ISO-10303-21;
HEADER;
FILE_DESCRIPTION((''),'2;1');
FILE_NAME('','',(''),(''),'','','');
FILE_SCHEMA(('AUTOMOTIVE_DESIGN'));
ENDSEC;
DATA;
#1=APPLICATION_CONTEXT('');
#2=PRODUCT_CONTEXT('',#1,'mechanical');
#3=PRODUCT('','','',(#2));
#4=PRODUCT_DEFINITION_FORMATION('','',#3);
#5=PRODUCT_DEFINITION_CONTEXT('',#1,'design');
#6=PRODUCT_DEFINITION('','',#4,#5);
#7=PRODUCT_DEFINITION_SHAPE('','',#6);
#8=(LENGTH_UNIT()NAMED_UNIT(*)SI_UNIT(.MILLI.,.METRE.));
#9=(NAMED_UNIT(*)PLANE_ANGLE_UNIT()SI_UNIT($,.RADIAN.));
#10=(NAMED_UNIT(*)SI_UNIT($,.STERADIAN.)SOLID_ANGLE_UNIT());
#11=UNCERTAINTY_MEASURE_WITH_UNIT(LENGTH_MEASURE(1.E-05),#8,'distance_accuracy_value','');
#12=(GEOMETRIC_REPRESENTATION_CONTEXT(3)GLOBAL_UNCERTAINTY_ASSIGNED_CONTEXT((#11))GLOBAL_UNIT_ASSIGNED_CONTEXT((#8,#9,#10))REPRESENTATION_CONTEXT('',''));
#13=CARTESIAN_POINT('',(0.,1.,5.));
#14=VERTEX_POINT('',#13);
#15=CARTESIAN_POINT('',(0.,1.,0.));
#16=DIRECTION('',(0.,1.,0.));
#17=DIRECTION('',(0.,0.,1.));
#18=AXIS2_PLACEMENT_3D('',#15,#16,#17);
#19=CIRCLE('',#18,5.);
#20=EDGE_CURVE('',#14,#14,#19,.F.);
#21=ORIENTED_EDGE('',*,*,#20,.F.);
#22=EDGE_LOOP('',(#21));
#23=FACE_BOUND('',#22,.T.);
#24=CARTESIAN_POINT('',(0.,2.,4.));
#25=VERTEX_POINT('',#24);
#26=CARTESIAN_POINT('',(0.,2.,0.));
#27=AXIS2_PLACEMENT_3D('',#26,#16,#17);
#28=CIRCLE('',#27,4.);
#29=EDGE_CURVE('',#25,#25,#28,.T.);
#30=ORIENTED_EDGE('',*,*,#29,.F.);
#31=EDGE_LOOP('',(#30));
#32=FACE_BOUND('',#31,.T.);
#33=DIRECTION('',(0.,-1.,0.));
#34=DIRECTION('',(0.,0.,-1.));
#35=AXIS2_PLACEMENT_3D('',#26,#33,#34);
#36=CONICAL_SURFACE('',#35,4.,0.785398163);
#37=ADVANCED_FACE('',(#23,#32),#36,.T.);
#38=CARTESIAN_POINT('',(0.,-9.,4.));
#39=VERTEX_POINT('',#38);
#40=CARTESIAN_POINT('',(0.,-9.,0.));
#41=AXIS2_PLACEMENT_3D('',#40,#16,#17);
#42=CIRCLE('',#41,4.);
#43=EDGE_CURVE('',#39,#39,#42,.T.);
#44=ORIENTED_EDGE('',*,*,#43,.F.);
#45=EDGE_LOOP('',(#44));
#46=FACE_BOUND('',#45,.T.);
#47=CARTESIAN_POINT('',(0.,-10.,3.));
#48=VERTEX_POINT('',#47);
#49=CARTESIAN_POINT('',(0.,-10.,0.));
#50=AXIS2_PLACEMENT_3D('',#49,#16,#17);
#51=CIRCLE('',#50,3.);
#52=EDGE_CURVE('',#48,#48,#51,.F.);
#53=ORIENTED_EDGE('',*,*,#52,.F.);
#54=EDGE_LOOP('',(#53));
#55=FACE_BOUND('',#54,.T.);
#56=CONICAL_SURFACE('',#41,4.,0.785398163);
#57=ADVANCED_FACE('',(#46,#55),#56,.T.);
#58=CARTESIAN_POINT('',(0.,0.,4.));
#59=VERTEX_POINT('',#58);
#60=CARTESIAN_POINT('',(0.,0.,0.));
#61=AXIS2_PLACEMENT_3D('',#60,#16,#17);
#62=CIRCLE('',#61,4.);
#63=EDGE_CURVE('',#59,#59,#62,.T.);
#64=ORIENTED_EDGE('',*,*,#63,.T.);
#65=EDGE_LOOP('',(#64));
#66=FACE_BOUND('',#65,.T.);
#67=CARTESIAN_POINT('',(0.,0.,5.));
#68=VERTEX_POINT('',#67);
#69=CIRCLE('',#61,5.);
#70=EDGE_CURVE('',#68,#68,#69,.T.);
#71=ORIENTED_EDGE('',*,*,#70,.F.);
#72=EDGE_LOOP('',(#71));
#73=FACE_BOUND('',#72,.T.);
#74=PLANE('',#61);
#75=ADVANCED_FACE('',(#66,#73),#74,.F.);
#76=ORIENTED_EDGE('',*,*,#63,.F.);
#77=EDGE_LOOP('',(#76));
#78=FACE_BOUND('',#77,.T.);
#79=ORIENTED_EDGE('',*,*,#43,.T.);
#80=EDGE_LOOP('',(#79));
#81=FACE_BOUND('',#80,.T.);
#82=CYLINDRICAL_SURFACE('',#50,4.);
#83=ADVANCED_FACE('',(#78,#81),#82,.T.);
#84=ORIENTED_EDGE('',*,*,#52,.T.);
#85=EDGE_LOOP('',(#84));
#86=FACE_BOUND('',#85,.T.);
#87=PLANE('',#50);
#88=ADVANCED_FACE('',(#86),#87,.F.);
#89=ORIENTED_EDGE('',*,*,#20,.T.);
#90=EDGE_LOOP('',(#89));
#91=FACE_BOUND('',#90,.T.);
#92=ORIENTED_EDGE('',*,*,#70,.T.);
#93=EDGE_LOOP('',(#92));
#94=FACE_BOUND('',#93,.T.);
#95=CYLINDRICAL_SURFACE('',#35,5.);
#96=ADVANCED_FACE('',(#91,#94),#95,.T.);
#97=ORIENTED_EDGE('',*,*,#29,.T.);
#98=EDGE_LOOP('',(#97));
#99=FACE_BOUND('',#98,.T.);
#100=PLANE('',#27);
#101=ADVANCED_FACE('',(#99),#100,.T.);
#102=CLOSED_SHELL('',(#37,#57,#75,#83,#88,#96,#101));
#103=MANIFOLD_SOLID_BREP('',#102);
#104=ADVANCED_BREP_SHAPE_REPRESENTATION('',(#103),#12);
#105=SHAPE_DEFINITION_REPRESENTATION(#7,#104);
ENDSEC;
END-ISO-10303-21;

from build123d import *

# Parameters (mm, degrees)
ESBO_O1_R       = 4
EXTRUS_O1_DEPTH = 10
ESBO_O2_R       = 5
EXTRUS_O2_DEPTH = 2
CHANFRO1_SIZE   = 1
CHANFRO2_SIZE   = 1


with BuildPart() as part:
    # Esboço1 → Extrusão1 (new body)
    with BuildSketch(Plane(origin=(0, 0, 0), x_dir=(1, 0, 0), z_dir=(0, 1, 0))):
        with Locations(Location((0, 0, 0), (0, 0, 270))):  # turned: the seam where the file's is
            Circle(ESBO_O1_R)
    extrude(amount=-EXTRUS_O1_DEPTH)

    # Esboço2 → Extrusão2 (add)
    with BuildSketch(Plane(origin=(0, 0, 0), x_dir=(1, 0, 0), z_dir=(0, 1, 0))):
        with Locations(Location((0, 0, 0), (0, 0, 270))):  # turned: the seam where the file's is
            Circle(ESBO_O2_R)
    extrude(amount=EXTRUS_O2_DEPTH)

    # Chanfro1
    chanfro1_edges = [part.edges().sort_by_distance(p)[0] for p in [
        (0, -10, -4),
    ]]
    chamfer(chanfro1_edges, length=CHANFRO1_SIZE)

    # Chanfro2
    chanfro2_edges = [part.edges().sort_by_distance(p)[0] for p in [
        (0, 2, -5),
    ]]
    chamfer(chanfro2_edges, length=CHANFRO2_SIZE)


solid = part.part
